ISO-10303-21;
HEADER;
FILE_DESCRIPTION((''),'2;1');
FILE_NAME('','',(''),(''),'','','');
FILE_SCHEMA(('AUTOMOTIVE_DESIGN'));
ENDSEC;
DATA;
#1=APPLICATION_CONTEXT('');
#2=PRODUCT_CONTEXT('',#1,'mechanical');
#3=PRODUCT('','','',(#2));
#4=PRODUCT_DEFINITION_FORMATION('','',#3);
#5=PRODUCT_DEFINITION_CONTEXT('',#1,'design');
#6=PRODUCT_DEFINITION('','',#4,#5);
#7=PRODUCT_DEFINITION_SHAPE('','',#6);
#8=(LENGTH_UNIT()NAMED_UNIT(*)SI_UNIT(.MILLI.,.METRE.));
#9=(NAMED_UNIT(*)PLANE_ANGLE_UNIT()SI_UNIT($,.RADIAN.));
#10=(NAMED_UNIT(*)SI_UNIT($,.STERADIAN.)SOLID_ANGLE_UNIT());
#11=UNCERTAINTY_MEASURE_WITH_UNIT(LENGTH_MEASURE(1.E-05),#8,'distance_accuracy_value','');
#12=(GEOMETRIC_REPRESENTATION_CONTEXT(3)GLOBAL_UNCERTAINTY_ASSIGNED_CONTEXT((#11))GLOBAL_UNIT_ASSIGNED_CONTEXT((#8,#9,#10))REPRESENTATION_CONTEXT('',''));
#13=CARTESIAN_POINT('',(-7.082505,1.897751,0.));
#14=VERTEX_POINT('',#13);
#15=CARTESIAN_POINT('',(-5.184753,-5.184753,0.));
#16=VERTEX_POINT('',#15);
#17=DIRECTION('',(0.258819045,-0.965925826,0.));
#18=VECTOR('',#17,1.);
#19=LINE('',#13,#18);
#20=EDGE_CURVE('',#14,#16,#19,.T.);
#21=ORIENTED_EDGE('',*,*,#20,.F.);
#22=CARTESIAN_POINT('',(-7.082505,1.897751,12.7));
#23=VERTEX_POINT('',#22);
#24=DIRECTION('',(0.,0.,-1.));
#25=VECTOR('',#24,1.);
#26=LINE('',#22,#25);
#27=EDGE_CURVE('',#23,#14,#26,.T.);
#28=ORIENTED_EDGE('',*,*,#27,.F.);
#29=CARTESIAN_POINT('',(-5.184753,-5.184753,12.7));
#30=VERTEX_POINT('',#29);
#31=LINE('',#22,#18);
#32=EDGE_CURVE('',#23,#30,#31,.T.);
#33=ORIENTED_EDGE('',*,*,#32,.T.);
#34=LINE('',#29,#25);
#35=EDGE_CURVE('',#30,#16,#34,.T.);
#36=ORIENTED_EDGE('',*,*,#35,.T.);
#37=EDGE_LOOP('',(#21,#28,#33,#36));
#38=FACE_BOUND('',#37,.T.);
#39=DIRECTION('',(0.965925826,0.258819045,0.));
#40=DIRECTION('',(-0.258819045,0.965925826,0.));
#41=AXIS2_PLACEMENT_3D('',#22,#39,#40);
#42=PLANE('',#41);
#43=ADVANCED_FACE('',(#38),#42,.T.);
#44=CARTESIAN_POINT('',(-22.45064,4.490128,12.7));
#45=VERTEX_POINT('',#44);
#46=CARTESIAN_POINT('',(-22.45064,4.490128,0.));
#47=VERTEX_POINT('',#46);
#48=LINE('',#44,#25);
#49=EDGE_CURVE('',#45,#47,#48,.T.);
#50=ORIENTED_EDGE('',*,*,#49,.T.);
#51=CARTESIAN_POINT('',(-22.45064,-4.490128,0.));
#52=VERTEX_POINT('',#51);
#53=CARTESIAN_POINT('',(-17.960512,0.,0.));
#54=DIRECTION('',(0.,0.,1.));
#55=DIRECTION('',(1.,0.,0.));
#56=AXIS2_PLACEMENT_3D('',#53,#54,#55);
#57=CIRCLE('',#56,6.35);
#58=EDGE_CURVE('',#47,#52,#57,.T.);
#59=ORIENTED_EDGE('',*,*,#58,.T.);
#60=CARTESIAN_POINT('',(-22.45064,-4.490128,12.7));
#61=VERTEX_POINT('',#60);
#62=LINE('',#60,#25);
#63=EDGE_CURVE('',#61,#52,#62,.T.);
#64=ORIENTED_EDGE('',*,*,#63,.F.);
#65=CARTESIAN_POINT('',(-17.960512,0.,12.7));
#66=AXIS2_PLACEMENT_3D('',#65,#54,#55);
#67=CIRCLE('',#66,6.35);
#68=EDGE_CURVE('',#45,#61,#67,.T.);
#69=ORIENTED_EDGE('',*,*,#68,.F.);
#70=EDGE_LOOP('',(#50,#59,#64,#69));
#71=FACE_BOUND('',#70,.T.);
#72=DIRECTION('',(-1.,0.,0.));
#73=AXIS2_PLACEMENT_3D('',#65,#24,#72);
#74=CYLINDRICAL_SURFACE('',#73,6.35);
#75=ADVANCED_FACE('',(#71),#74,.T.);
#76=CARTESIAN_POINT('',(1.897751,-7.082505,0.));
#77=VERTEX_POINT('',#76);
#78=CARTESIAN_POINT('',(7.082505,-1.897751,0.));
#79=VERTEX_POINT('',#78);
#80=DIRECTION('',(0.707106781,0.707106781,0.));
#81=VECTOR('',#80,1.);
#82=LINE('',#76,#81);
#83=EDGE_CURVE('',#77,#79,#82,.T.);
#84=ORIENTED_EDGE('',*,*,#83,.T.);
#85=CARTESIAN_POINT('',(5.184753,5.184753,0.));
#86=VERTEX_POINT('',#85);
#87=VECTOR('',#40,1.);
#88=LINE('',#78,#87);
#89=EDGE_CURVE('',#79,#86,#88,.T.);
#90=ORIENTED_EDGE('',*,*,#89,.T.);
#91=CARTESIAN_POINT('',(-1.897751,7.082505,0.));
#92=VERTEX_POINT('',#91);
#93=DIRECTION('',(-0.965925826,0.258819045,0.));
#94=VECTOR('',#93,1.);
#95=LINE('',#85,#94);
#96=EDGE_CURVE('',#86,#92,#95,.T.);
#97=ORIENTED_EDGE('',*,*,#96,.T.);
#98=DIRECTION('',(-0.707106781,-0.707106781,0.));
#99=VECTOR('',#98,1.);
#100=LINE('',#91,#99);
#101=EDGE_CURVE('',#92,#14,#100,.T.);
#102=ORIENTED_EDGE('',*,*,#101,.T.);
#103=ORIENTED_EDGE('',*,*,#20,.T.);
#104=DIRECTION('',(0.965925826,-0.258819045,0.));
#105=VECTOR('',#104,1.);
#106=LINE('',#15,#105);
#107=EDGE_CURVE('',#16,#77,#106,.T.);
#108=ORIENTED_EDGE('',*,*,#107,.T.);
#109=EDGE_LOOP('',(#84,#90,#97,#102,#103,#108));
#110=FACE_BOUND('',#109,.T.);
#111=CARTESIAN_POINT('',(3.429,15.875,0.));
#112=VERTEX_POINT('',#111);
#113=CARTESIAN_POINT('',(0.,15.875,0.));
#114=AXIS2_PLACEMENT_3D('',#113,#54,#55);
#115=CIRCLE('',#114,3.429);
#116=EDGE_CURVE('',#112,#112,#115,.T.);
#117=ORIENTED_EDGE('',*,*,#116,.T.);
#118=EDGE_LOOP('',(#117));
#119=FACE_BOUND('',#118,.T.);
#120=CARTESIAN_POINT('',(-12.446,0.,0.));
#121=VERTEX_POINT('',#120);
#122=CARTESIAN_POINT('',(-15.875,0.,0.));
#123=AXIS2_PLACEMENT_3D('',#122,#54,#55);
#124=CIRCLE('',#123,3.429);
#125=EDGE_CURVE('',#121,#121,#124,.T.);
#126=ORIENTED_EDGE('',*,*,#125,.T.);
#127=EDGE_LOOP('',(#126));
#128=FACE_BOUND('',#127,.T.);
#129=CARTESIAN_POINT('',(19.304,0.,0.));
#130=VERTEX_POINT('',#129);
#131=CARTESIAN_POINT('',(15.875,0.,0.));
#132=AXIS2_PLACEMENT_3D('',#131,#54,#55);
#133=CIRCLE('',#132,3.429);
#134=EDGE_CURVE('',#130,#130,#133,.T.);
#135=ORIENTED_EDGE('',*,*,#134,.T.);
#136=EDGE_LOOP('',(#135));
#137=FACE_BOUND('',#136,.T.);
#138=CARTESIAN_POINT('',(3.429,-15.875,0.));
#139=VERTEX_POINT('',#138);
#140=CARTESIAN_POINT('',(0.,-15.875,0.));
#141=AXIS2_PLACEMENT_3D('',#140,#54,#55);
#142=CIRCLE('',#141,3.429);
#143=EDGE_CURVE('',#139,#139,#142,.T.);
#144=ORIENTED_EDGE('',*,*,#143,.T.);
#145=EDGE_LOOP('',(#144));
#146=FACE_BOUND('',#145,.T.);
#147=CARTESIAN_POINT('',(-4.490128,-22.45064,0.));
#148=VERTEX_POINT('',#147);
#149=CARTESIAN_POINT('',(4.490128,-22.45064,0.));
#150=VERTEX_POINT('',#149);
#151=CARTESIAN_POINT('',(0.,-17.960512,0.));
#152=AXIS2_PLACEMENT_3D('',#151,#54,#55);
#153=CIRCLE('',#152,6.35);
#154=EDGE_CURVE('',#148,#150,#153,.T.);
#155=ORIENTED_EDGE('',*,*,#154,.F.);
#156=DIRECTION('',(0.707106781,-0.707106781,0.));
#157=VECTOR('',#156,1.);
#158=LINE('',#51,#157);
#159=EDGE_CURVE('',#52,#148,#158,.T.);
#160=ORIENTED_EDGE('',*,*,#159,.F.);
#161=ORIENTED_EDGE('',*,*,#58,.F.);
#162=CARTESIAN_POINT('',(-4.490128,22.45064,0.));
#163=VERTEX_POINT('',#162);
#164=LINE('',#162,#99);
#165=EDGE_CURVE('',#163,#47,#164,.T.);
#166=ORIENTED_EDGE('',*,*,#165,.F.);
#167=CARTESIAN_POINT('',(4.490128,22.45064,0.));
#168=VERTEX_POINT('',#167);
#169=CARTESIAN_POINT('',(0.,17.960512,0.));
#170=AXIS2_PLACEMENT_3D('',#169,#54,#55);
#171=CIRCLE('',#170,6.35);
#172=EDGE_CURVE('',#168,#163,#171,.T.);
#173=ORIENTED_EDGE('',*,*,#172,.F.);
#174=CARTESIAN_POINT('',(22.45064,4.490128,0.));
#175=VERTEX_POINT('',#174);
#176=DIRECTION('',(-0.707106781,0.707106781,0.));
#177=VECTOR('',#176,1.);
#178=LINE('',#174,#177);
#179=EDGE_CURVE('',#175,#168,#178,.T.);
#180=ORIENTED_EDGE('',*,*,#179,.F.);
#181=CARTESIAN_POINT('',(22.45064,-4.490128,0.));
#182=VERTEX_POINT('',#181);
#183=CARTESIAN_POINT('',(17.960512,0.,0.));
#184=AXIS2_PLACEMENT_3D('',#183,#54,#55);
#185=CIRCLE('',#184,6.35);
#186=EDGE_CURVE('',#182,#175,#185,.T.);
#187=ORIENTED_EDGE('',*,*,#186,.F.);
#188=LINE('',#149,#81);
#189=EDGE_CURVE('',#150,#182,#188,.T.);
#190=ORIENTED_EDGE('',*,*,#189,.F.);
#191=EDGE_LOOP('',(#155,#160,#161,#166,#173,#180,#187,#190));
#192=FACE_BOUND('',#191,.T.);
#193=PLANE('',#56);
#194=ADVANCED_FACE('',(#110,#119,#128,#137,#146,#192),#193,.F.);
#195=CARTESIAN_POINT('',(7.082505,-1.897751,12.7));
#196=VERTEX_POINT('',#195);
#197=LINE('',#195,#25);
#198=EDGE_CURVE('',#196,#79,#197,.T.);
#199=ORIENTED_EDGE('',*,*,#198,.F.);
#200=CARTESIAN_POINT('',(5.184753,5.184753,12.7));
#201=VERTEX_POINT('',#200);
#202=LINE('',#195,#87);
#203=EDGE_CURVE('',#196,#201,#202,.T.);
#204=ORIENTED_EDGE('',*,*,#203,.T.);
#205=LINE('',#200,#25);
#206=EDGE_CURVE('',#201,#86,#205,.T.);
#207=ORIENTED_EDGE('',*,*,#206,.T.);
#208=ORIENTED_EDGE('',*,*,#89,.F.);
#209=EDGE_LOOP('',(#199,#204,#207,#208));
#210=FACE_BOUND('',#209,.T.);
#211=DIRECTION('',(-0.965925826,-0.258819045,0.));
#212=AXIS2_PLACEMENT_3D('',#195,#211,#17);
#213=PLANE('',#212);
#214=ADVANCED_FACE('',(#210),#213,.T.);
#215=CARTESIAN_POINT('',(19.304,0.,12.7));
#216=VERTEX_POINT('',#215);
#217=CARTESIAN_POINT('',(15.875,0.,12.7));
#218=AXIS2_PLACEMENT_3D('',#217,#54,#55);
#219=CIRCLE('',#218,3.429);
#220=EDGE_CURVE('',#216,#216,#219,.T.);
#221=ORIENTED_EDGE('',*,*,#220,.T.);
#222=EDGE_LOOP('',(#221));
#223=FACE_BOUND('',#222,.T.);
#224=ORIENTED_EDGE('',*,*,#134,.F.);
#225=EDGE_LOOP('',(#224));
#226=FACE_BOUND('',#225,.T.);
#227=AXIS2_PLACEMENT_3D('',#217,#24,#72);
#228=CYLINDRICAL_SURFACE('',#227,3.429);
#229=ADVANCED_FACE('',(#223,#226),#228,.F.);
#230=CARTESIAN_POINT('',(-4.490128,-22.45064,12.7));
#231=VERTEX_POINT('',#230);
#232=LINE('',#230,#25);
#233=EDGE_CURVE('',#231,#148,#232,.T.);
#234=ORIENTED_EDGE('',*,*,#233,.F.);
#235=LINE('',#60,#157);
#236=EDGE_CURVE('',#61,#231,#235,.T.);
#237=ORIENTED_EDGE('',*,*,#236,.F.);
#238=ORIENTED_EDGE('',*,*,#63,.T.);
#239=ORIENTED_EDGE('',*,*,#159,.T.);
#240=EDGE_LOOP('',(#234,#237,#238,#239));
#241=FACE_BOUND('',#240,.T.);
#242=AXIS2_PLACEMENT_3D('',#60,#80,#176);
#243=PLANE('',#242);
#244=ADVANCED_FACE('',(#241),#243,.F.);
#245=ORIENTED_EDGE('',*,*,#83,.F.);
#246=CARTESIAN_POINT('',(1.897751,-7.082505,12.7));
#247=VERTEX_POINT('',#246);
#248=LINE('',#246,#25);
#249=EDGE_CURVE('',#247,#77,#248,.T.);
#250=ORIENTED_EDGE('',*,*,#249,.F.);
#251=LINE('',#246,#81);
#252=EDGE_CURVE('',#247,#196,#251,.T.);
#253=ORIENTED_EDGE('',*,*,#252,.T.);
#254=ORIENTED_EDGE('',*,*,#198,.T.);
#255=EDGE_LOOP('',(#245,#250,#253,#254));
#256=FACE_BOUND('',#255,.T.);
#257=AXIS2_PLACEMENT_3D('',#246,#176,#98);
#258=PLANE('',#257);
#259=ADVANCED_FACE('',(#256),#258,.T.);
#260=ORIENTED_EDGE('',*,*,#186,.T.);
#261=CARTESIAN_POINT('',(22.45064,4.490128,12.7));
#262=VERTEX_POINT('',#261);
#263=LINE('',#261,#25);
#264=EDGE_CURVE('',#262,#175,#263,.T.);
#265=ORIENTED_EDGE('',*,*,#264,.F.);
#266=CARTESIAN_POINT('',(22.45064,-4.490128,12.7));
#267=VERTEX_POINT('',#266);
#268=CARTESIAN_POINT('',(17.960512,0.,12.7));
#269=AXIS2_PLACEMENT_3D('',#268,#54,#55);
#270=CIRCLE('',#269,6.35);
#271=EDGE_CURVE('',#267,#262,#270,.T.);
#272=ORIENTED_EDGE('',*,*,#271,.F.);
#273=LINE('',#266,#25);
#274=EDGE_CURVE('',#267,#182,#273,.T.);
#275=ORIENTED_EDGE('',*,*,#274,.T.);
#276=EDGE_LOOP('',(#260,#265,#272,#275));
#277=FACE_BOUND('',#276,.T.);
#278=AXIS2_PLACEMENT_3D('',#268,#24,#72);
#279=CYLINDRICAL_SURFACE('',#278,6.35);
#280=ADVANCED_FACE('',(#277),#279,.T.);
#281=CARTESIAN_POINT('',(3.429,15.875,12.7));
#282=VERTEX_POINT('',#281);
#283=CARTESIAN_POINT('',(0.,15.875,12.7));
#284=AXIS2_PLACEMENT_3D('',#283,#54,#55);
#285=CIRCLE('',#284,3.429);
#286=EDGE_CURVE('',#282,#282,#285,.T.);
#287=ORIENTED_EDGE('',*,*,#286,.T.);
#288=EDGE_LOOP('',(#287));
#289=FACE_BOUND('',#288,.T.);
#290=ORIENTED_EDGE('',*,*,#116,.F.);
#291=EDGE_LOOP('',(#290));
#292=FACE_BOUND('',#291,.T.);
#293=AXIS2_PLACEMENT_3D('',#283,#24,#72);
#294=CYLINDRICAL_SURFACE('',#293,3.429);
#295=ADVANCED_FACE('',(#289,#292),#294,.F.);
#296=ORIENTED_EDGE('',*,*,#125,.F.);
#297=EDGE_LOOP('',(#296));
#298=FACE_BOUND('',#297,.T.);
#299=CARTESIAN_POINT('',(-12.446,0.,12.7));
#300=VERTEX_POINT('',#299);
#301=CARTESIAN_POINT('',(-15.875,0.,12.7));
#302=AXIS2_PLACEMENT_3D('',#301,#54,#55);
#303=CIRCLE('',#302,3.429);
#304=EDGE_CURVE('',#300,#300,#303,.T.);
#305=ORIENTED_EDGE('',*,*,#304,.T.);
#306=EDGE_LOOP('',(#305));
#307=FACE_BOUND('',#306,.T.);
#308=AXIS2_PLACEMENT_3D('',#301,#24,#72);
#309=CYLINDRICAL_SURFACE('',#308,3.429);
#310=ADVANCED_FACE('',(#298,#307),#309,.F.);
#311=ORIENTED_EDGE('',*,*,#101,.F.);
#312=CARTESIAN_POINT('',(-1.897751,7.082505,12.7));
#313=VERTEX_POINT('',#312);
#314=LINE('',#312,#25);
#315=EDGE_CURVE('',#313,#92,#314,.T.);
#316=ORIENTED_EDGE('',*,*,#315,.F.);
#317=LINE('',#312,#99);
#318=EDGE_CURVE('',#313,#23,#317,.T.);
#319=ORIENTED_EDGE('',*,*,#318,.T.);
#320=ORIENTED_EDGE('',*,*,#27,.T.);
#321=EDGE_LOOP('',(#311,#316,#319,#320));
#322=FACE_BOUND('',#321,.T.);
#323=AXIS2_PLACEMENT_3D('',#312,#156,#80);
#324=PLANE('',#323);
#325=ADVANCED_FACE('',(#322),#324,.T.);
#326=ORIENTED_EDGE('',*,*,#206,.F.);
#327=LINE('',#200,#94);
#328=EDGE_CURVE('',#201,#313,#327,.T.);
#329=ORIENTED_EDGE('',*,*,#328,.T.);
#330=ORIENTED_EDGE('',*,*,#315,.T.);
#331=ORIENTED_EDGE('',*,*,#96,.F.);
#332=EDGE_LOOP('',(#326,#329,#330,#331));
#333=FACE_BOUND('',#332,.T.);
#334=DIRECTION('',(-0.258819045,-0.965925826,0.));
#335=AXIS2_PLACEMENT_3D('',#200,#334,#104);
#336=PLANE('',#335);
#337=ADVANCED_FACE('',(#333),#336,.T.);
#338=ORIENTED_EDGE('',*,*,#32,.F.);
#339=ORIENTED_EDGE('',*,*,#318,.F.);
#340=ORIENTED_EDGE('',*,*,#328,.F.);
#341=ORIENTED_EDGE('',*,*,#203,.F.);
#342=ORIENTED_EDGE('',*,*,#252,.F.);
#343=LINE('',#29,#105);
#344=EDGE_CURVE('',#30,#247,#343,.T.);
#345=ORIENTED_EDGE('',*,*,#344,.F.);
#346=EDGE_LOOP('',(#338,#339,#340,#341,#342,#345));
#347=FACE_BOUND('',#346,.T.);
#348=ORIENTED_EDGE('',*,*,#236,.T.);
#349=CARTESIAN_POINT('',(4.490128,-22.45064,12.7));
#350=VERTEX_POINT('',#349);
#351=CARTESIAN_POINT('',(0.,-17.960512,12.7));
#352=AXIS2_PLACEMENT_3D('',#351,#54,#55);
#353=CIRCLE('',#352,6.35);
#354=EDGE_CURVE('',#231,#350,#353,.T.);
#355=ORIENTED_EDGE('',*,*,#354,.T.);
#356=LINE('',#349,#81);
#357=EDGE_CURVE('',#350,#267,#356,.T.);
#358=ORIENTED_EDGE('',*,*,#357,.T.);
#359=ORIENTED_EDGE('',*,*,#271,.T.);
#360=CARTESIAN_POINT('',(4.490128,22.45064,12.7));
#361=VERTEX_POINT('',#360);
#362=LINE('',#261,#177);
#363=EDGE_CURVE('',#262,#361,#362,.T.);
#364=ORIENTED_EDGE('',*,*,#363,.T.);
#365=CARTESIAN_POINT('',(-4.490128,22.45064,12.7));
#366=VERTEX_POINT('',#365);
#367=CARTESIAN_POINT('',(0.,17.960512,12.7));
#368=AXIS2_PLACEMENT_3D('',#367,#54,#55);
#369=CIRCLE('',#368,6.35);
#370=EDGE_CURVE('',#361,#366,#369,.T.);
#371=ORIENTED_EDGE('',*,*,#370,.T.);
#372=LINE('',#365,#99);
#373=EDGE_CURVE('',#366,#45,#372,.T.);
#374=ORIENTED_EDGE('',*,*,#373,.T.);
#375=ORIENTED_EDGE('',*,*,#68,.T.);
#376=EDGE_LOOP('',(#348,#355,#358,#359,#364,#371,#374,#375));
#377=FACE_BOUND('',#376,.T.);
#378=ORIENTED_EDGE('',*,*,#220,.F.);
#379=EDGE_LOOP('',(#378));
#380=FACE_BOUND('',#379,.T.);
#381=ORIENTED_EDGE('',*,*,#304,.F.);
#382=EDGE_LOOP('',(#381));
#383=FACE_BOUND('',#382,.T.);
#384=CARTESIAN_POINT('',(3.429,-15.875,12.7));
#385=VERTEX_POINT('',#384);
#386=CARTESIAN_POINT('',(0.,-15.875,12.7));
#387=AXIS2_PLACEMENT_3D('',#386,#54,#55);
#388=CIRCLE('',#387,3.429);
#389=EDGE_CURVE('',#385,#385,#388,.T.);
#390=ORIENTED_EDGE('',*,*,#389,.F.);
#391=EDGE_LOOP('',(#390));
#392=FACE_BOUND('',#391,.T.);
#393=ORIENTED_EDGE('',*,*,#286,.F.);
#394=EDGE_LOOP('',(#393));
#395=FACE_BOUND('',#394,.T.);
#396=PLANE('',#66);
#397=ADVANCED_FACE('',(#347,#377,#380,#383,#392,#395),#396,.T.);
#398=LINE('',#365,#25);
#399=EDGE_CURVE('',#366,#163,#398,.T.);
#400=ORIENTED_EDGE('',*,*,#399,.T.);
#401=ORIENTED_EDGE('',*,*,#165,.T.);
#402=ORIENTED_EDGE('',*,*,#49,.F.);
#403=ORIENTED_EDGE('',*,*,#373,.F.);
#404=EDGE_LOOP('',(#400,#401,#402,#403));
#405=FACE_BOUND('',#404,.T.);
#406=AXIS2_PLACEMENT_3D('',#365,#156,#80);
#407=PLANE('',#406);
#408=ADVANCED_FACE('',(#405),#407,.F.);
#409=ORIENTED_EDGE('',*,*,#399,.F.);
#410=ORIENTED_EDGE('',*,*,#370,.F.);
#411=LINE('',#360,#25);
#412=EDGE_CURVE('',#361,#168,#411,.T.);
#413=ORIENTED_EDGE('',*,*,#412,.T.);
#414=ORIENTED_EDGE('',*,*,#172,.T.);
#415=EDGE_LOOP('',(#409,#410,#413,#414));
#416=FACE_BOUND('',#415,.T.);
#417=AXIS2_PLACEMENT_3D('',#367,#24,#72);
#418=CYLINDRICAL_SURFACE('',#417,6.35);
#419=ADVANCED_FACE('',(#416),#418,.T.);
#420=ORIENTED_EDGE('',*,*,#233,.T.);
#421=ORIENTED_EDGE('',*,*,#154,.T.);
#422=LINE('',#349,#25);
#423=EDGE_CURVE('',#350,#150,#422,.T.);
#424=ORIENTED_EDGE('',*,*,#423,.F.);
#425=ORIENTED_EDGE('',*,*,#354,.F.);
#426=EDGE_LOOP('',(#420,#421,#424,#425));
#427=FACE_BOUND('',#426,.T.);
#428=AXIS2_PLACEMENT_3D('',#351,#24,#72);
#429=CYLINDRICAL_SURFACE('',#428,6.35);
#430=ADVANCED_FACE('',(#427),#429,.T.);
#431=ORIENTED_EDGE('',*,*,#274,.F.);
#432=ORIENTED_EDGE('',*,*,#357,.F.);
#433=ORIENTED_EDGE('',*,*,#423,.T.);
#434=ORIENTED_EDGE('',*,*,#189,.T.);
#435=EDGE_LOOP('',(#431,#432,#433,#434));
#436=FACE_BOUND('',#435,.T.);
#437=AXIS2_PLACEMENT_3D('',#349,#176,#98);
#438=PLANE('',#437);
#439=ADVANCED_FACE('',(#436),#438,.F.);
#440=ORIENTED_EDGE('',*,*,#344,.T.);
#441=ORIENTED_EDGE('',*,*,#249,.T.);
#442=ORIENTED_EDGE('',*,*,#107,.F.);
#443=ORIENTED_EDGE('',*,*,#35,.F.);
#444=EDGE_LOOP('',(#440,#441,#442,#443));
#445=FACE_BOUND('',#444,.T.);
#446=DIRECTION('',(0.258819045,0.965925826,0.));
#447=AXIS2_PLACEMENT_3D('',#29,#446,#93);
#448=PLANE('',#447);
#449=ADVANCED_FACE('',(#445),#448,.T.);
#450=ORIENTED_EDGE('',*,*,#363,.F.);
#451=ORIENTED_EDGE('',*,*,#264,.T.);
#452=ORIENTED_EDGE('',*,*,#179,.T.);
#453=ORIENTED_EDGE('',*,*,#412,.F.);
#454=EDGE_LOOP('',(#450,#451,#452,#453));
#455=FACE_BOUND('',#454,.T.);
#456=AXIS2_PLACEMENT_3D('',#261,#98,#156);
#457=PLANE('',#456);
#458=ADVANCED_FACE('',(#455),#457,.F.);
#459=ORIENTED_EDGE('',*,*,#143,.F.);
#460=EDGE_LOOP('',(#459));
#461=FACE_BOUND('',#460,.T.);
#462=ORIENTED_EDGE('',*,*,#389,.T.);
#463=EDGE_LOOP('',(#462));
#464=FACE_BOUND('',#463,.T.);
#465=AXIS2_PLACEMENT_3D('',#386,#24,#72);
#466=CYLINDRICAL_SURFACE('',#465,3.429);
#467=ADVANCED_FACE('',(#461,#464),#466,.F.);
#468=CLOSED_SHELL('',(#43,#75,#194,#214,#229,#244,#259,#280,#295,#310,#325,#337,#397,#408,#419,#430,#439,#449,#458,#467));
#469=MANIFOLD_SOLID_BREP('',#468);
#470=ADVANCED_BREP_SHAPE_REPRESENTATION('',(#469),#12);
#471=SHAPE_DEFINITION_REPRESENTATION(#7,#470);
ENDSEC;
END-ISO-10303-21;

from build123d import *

# Parameters (mm, degrees)
SKETCH2_R           = 3.429
BOSS_EXTRUDE1_DEPTH = 12.7


with BuildPart() as part:
    # Sketch2 → Boss-Extrude1 (new body)
    with BuildSketch(Plane.XY):
        with BuildLine():
            Line((-4.490128061, 22.450640303), (-22.450640303, 4.490128061))
            ThreePointArc((-22.450640303, 4.490128061), (-24.310512242, 0), (-22.450640303, -4.490128061))
            Line((-22.450640303, -4.490128061), (-4.490128061, -22.450640303))
            ThreePointArc((-4.490128061, -22.450640303), (0, -24.310512242), (4.490128061, -22.450640303))
            Line((4.490128061, -22.450640303), (22.450640303, -4.490128061))
            ThreePointArc((22.450640303, -4.490128061), (24.310512242, 0), (22.450640303, 4.490128061))
            Line((22.450640303, 4.490128061), (4.490128061, 22.450640303))
            ThreePointArc((4.490128061, 22.450640303), (0, 24.310512242), (-4.490128061, 22.450640303))
        make_face()
        with Locations((0, 15.875)):
            Circle(SKETCH2_R, mode=Mode.SUBTRACT)
        with Locations((15.875, 0)):
            Circle(SKETCH2_R, mode=Mode.SUBTRACT)
        with Locations((0, -15.875)):
            Circle(SKETCH2_R, mode=Mode.SUBTRACT)
        with Locations((-15.875, 0)):
            Circle(SKETCH2_R, mode=Mode.SUBTRACT)
        Polygon((5.184753289, 5.184753289), (-1.897751416, 7.082504705), (-7.082504705, 1.897751416), (-5.184753289, -5.184753289), (1.897751416, -7.082504705), (7.082504705, -1.897751416), align=None, mode=Mode.SUBTRACT)
    extrude(amount=BOSS_EXTRUDE1_DEPTH)


solid = part.part
